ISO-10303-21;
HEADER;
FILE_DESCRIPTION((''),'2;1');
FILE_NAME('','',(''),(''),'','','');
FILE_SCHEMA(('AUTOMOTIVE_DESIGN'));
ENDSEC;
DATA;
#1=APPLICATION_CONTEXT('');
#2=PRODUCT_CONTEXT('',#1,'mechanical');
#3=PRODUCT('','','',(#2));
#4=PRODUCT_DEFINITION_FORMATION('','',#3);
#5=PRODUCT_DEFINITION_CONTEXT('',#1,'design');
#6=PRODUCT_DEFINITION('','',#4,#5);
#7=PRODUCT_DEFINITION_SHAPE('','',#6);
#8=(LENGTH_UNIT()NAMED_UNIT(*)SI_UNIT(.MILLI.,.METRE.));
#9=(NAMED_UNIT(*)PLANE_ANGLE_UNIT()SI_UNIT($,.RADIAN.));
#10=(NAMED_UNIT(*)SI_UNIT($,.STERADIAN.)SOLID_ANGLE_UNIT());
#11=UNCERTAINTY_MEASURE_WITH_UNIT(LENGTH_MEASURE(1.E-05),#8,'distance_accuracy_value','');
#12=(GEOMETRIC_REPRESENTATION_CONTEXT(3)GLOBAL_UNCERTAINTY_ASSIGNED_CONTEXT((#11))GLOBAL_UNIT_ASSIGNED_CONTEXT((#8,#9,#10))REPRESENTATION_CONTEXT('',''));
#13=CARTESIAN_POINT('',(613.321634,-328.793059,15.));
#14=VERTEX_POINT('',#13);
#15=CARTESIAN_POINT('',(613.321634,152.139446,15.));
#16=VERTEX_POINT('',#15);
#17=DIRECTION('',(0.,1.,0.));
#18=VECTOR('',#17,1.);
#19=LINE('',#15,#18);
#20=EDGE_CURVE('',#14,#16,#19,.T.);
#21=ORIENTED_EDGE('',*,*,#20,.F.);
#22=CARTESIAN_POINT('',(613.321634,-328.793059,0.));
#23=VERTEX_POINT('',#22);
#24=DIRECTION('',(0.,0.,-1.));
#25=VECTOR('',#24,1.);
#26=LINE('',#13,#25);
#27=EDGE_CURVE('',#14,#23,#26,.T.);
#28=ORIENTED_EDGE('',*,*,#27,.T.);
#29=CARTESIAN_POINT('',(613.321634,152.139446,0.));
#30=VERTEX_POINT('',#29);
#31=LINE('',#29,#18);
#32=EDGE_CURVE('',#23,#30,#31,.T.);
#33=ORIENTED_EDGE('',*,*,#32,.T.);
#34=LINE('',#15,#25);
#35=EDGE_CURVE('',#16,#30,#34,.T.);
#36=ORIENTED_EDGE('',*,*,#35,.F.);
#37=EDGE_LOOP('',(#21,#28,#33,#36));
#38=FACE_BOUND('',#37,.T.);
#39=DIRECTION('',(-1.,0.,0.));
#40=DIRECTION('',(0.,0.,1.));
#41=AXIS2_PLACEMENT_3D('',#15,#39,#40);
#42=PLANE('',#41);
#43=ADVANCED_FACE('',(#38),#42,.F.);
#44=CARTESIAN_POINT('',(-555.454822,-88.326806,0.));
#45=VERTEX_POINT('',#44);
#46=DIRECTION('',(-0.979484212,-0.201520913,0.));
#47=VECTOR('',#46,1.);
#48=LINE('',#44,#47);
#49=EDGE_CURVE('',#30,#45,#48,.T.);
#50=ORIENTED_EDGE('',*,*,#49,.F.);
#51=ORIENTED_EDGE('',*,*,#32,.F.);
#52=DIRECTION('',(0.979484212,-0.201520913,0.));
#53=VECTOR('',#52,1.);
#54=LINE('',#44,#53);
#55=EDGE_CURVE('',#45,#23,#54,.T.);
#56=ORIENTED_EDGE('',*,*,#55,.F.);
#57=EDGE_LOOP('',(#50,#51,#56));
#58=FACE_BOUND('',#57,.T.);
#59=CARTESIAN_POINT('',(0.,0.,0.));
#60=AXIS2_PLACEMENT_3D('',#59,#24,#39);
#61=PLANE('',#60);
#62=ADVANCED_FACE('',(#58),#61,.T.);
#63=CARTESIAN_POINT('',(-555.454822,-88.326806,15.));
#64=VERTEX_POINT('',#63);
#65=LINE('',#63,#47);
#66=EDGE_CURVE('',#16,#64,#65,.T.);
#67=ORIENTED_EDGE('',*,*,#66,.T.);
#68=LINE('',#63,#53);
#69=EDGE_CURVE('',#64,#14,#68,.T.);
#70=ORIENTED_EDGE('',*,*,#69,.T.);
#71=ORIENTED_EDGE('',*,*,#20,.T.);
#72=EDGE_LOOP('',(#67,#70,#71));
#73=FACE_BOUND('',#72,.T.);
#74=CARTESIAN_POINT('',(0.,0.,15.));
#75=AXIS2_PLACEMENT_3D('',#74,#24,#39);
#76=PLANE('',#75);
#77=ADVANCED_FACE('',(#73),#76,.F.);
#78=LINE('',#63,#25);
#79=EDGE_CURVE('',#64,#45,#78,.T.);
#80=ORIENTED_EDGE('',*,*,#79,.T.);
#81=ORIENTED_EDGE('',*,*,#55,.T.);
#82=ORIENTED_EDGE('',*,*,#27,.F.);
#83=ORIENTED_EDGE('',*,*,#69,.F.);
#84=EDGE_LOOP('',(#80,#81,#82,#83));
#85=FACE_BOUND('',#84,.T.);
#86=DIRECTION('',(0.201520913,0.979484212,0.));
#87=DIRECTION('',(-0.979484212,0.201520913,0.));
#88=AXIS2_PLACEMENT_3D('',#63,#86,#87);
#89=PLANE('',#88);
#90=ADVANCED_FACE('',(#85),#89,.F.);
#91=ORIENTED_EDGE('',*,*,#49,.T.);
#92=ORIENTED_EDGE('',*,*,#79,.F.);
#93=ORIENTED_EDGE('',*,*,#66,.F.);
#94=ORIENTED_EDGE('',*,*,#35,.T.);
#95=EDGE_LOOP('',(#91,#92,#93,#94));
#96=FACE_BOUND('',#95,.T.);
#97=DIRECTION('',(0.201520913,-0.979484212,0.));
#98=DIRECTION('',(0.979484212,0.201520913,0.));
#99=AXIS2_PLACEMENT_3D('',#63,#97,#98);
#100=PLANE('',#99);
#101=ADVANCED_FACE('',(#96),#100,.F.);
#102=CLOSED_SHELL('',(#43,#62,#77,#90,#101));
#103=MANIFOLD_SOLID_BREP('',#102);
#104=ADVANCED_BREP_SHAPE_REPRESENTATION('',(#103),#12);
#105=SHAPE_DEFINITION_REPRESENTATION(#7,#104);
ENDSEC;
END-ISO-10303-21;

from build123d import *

# Parameters (mm, degrees)
BOSS_EXTRUDE1_DEPTH = 15


with BuildPart() as part:
    # Sketch1 → Boss-Extrude1 (new body)
    with BuildSketch(Plane.XY):
        Polygon((613.321633918, 152.1394463), (613.321633918, -328.793058883), (-555.45482201, -88.326806291), align=None)
    extrude(amount=BOSS_EXTRUDE1_DEPTH)


solid = part.part
